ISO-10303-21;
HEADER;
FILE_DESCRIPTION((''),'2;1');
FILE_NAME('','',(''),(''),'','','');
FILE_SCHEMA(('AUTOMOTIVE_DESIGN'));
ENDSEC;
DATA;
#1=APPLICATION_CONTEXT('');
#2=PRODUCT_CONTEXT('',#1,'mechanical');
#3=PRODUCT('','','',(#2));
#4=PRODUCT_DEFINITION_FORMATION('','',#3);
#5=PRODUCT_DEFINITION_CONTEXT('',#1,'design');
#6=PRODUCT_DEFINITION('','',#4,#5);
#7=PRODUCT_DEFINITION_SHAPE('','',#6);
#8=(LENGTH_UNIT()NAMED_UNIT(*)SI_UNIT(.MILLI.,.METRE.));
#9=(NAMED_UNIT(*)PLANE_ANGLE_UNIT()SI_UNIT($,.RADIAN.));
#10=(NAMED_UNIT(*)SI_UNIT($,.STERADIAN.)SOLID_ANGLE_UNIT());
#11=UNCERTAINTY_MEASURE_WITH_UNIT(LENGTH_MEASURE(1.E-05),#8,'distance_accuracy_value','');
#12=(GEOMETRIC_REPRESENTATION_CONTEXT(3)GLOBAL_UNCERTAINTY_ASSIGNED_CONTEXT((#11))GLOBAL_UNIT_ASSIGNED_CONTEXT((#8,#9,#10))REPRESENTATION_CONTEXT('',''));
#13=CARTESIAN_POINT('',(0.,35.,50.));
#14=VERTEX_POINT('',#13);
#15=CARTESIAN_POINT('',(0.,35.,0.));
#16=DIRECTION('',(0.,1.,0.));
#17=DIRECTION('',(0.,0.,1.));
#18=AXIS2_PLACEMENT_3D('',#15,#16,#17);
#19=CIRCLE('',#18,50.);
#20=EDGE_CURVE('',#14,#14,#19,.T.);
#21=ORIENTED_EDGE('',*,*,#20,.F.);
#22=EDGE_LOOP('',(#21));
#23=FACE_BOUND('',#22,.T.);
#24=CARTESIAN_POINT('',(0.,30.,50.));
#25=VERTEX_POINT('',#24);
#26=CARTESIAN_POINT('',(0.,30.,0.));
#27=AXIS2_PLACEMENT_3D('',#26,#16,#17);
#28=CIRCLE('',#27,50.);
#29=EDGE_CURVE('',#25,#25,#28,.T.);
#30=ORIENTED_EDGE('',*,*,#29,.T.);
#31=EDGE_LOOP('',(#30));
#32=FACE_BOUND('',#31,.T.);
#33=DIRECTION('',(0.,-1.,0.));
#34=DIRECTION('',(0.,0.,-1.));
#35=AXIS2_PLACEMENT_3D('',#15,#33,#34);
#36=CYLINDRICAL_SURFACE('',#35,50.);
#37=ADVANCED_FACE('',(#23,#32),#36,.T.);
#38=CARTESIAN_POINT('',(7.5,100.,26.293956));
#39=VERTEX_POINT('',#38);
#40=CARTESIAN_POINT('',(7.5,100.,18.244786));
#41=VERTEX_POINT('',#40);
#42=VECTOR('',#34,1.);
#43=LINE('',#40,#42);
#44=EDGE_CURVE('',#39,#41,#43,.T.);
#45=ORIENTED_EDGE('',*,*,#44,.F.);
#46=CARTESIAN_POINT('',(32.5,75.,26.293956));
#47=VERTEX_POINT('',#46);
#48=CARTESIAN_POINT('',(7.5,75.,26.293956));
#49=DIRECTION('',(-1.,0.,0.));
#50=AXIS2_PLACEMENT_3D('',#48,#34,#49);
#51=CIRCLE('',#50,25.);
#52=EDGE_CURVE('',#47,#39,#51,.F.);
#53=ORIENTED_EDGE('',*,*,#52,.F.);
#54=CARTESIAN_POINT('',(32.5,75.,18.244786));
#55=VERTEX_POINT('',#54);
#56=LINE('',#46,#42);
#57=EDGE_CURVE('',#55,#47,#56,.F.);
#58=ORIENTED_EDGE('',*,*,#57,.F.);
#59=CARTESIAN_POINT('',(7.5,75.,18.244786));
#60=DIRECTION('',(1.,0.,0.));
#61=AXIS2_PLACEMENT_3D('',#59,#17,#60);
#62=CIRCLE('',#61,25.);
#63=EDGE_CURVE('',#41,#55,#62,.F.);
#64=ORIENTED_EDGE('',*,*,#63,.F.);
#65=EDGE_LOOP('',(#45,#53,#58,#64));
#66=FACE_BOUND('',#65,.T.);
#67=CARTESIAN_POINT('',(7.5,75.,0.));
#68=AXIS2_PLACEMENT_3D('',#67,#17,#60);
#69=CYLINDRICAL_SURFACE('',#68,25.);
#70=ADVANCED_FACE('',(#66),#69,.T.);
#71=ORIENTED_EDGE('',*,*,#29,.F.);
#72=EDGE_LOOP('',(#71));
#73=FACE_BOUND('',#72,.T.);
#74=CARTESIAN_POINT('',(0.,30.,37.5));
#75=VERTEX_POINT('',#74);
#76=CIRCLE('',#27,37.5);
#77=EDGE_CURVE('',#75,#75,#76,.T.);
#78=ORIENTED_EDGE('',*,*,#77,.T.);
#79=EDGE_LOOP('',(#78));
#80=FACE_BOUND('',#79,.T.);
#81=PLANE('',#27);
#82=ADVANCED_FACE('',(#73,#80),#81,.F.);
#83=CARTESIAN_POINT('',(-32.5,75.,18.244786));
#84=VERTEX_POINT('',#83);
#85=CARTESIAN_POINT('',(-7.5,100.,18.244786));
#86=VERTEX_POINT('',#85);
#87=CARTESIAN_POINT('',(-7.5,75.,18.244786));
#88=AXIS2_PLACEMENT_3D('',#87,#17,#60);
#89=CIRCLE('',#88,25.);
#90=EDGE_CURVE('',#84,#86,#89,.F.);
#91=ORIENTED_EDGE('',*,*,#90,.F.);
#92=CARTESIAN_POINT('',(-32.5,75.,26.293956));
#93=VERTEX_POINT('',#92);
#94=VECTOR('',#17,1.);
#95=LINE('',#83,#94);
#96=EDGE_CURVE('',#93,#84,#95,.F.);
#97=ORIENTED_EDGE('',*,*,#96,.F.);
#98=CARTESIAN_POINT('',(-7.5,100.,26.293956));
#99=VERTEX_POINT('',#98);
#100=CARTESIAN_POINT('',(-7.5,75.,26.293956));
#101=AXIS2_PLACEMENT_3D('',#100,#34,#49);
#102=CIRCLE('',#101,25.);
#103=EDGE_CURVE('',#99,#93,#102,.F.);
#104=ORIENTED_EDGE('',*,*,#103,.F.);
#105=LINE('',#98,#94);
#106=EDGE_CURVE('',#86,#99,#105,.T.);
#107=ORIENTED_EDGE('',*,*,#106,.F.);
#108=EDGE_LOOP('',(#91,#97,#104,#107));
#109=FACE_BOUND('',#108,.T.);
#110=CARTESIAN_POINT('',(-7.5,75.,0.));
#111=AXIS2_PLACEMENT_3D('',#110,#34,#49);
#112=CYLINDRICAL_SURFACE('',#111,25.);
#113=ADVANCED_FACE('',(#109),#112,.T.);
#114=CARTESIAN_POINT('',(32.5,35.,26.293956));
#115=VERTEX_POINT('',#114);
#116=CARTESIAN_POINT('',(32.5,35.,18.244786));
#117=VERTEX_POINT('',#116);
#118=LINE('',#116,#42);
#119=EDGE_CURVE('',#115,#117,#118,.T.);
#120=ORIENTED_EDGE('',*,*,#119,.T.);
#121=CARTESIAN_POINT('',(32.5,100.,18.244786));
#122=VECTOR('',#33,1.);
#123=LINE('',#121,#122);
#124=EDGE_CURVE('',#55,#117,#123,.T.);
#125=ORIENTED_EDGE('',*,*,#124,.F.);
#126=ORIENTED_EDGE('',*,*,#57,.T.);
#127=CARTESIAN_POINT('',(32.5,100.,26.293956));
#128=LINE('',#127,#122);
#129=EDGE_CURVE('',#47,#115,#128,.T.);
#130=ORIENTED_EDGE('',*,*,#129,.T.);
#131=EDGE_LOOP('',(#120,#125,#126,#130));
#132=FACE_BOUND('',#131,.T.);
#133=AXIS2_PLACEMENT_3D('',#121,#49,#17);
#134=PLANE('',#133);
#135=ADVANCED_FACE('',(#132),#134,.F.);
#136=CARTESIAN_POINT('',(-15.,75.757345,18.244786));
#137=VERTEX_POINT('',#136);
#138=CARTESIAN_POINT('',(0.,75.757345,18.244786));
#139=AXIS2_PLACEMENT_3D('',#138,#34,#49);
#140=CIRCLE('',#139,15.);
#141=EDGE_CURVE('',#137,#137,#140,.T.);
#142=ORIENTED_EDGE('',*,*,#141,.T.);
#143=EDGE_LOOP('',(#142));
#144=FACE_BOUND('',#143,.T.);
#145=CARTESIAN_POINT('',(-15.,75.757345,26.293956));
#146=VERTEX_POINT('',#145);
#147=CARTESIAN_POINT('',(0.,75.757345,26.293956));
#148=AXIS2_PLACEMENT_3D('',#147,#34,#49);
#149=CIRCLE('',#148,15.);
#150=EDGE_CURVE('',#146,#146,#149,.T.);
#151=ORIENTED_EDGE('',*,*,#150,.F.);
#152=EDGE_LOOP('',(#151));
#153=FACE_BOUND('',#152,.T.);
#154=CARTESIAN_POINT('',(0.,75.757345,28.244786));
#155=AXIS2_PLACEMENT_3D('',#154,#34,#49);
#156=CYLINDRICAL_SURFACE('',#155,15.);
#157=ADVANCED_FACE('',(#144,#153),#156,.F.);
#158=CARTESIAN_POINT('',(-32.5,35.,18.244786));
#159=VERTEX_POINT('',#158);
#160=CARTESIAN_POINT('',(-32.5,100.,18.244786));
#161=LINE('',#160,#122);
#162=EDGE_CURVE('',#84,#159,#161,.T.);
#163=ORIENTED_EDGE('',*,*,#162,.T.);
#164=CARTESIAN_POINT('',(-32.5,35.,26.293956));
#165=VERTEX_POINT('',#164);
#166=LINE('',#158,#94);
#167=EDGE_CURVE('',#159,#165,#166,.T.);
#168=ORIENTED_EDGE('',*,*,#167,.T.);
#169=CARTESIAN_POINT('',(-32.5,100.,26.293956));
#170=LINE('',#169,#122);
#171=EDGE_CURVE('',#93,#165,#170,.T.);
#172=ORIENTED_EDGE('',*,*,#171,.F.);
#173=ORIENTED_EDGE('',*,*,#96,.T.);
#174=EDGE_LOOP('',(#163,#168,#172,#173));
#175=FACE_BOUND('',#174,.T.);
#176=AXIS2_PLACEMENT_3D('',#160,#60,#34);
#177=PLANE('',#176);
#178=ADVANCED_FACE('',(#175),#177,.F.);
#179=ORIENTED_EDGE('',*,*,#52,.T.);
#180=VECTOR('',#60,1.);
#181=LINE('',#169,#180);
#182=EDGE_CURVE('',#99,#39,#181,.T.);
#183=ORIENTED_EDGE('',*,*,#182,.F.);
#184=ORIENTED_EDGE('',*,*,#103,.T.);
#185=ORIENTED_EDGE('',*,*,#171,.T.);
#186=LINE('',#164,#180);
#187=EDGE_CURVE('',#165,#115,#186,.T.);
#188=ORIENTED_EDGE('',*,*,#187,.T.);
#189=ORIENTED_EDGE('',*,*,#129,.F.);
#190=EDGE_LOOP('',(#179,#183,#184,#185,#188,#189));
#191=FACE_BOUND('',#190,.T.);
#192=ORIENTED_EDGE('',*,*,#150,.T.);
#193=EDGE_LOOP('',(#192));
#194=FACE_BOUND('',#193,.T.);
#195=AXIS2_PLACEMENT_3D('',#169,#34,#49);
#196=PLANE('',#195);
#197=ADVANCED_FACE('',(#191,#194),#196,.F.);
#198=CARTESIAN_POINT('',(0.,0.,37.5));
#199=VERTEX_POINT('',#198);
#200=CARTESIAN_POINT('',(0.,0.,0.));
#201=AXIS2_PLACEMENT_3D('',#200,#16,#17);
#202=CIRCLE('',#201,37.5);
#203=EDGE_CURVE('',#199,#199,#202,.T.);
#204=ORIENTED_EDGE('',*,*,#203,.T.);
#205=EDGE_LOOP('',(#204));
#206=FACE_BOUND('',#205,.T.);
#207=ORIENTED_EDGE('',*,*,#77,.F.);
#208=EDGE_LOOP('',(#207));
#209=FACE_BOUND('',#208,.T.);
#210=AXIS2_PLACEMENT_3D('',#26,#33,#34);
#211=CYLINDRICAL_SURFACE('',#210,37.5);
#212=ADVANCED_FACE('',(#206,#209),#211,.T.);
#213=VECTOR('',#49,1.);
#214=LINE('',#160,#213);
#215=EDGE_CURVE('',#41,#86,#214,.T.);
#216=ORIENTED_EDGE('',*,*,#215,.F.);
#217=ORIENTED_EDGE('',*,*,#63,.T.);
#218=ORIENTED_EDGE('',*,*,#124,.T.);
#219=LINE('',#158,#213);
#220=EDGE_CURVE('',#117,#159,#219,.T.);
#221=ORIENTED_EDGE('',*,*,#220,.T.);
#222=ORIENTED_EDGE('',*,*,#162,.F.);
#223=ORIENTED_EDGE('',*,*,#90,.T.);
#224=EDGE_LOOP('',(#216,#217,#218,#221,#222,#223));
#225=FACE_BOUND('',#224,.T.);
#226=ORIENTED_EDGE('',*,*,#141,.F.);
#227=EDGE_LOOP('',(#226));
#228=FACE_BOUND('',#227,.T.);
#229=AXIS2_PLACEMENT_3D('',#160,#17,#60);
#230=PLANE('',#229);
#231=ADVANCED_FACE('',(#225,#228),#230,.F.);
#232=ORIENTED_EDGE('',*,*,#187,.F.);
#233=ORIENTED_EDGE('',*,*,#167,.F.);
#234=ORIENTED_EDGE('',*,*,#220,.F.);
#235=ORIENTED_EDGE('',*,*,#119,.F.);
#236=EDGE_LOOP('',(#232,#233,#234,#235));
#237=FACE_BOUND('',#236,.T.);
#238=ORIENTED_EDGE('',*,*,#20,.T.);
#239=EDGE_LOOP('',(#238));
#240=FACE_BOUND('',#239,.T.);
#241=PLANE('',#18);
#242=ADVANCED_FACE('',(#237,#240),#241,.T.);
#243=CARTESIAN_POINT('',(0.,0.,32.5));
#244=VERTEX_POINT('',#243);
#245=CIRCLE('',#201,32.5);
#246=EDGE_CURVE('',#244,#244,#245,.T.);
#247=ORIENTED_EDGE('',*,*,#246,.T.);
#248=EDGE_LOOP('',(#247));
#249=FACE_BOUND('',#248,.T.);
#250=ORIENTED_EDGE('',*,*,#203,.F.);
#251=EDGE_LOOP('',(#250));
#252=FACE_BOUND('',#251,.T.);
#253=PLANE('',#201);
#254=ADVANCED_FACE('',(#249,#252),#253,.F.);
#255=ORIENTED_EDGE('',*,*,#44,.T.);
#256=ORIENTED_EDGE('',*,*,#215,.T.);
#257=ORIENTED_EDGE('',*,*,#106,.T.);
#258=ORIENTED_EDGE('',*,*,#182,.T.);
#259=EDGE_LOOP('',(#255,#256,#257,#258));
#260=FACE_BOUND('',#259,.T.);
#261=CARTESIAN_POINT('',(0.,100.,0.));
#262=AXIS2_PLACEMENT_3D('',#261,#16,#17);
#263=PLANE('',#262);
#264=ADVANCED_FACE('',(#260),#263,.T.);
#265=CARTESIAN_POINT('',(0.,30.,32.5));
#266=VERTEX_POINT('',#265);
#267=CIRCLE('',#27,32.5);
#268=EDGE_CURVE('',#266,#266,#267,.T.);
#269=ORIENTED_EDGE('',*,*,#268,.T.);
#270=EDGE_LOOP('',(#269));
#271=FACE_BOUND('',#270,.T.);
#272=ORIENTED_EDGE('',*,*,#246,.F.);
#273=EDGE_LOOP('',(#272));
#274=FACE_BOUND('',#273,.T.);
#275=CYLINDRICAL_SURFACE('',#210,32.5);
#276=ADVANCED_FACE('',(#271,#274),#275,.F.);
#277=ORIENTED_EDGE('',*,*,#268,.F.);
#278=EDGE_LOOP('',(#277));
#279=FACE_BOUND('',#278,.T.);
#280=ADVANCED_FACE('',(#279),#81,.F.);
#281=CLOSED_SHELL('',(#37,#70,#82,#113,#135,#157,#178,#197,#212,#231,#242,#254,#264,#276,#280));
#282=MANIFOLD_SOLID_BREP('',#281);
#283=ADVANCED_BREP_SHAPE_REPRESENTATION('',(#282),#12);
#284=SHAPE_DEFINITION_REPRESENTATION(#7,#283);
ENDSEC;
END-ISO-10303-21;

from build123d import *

# Parameters (mm, degrees)
SKETCH3_R           = 37.5
SKETCH3_R_2         = 32.5
BOSS_EXTRUDE1_DEPTH = 30
SKETCH4_R           = 50
BOSS_EXTRUDE2_DEPTH = 5
SKETCH5_W           = 65
SKETCH5_H           = 8.049170271
BOSS_EXTRUDE3_DEPTH = 65
FILLET1_R           = 25
SKETCH6_R           = 15
CUT_EXTRUDE1_DEPTH  = 10


with BuildPart() as part:
    # Sketch3 → Boss-Extrude1 (new body)
    with BuildSketch(Plane(origin=(0, 0, 0), x_dir=(1, 0, 0), z_dir=(0, 1, 0))):
        with Locations(Location((0, 0, 0), (0, 0, 270))):
            Circle(SKETCH3_R)
        with Locations(Location((0, 0, 0), (0, 0, 270))):
            Circle(SKETCH3_R_2, mode=Mode.SUBTRACT)
    extrude(amount=BOSS_EXTRUDE1_DEPTH)

    # Sketch4 → Boss-Extrude2 (add)
    with BuildSketch(Plane(origin=(0, 30, 0), x_dir=(1, 0, 0), z_dir=(0, 1, 0))):
        with Locations(Location((0, 0, 0), (0, 0, 270))):
            Circle(SKETCH4_R)
    extrude(amount=BOSS_EXTRUDE2_DEPTH)

    # Sketch5 → Boss-Extrude3 (add)
    with BuildSketch(Plane(origin=(0, 35, 0), x_dir=(1, 0, 0), z_dir=(0, 1, 0))):
        with Locations((0, -22.269371084)):
            Rectangle(SKETCH5_W, SKETCH5_H)
    extrude(amount=BOSS_EXTRUDE3_DEPTH)

    # Fillet1
    fillet1_edges = [part.edges().sort_by_distance(p)[0] for p in [
        (-32.5, 100, 22.269371084),
        (32.5, 100, 22.269371084),
    ]]
    fillet(fillet1_edges, radius=FILLET1_R)

    # Sketch6 → Cut-Extrude1 (cut)
    with BuildSketch(Plane(origin=(0, 0, 18.244785948), x_dir=(-1, 0, 0), z_dir=(0, 0, -1))):
        with Locations((0, 75.757344868)):
            Circle(SKETCH6_R)
    extrude(amount=-CUT_EXTRUDE1_DEPTH, mode=Mode.SUBTRACT)


solid = part.part
